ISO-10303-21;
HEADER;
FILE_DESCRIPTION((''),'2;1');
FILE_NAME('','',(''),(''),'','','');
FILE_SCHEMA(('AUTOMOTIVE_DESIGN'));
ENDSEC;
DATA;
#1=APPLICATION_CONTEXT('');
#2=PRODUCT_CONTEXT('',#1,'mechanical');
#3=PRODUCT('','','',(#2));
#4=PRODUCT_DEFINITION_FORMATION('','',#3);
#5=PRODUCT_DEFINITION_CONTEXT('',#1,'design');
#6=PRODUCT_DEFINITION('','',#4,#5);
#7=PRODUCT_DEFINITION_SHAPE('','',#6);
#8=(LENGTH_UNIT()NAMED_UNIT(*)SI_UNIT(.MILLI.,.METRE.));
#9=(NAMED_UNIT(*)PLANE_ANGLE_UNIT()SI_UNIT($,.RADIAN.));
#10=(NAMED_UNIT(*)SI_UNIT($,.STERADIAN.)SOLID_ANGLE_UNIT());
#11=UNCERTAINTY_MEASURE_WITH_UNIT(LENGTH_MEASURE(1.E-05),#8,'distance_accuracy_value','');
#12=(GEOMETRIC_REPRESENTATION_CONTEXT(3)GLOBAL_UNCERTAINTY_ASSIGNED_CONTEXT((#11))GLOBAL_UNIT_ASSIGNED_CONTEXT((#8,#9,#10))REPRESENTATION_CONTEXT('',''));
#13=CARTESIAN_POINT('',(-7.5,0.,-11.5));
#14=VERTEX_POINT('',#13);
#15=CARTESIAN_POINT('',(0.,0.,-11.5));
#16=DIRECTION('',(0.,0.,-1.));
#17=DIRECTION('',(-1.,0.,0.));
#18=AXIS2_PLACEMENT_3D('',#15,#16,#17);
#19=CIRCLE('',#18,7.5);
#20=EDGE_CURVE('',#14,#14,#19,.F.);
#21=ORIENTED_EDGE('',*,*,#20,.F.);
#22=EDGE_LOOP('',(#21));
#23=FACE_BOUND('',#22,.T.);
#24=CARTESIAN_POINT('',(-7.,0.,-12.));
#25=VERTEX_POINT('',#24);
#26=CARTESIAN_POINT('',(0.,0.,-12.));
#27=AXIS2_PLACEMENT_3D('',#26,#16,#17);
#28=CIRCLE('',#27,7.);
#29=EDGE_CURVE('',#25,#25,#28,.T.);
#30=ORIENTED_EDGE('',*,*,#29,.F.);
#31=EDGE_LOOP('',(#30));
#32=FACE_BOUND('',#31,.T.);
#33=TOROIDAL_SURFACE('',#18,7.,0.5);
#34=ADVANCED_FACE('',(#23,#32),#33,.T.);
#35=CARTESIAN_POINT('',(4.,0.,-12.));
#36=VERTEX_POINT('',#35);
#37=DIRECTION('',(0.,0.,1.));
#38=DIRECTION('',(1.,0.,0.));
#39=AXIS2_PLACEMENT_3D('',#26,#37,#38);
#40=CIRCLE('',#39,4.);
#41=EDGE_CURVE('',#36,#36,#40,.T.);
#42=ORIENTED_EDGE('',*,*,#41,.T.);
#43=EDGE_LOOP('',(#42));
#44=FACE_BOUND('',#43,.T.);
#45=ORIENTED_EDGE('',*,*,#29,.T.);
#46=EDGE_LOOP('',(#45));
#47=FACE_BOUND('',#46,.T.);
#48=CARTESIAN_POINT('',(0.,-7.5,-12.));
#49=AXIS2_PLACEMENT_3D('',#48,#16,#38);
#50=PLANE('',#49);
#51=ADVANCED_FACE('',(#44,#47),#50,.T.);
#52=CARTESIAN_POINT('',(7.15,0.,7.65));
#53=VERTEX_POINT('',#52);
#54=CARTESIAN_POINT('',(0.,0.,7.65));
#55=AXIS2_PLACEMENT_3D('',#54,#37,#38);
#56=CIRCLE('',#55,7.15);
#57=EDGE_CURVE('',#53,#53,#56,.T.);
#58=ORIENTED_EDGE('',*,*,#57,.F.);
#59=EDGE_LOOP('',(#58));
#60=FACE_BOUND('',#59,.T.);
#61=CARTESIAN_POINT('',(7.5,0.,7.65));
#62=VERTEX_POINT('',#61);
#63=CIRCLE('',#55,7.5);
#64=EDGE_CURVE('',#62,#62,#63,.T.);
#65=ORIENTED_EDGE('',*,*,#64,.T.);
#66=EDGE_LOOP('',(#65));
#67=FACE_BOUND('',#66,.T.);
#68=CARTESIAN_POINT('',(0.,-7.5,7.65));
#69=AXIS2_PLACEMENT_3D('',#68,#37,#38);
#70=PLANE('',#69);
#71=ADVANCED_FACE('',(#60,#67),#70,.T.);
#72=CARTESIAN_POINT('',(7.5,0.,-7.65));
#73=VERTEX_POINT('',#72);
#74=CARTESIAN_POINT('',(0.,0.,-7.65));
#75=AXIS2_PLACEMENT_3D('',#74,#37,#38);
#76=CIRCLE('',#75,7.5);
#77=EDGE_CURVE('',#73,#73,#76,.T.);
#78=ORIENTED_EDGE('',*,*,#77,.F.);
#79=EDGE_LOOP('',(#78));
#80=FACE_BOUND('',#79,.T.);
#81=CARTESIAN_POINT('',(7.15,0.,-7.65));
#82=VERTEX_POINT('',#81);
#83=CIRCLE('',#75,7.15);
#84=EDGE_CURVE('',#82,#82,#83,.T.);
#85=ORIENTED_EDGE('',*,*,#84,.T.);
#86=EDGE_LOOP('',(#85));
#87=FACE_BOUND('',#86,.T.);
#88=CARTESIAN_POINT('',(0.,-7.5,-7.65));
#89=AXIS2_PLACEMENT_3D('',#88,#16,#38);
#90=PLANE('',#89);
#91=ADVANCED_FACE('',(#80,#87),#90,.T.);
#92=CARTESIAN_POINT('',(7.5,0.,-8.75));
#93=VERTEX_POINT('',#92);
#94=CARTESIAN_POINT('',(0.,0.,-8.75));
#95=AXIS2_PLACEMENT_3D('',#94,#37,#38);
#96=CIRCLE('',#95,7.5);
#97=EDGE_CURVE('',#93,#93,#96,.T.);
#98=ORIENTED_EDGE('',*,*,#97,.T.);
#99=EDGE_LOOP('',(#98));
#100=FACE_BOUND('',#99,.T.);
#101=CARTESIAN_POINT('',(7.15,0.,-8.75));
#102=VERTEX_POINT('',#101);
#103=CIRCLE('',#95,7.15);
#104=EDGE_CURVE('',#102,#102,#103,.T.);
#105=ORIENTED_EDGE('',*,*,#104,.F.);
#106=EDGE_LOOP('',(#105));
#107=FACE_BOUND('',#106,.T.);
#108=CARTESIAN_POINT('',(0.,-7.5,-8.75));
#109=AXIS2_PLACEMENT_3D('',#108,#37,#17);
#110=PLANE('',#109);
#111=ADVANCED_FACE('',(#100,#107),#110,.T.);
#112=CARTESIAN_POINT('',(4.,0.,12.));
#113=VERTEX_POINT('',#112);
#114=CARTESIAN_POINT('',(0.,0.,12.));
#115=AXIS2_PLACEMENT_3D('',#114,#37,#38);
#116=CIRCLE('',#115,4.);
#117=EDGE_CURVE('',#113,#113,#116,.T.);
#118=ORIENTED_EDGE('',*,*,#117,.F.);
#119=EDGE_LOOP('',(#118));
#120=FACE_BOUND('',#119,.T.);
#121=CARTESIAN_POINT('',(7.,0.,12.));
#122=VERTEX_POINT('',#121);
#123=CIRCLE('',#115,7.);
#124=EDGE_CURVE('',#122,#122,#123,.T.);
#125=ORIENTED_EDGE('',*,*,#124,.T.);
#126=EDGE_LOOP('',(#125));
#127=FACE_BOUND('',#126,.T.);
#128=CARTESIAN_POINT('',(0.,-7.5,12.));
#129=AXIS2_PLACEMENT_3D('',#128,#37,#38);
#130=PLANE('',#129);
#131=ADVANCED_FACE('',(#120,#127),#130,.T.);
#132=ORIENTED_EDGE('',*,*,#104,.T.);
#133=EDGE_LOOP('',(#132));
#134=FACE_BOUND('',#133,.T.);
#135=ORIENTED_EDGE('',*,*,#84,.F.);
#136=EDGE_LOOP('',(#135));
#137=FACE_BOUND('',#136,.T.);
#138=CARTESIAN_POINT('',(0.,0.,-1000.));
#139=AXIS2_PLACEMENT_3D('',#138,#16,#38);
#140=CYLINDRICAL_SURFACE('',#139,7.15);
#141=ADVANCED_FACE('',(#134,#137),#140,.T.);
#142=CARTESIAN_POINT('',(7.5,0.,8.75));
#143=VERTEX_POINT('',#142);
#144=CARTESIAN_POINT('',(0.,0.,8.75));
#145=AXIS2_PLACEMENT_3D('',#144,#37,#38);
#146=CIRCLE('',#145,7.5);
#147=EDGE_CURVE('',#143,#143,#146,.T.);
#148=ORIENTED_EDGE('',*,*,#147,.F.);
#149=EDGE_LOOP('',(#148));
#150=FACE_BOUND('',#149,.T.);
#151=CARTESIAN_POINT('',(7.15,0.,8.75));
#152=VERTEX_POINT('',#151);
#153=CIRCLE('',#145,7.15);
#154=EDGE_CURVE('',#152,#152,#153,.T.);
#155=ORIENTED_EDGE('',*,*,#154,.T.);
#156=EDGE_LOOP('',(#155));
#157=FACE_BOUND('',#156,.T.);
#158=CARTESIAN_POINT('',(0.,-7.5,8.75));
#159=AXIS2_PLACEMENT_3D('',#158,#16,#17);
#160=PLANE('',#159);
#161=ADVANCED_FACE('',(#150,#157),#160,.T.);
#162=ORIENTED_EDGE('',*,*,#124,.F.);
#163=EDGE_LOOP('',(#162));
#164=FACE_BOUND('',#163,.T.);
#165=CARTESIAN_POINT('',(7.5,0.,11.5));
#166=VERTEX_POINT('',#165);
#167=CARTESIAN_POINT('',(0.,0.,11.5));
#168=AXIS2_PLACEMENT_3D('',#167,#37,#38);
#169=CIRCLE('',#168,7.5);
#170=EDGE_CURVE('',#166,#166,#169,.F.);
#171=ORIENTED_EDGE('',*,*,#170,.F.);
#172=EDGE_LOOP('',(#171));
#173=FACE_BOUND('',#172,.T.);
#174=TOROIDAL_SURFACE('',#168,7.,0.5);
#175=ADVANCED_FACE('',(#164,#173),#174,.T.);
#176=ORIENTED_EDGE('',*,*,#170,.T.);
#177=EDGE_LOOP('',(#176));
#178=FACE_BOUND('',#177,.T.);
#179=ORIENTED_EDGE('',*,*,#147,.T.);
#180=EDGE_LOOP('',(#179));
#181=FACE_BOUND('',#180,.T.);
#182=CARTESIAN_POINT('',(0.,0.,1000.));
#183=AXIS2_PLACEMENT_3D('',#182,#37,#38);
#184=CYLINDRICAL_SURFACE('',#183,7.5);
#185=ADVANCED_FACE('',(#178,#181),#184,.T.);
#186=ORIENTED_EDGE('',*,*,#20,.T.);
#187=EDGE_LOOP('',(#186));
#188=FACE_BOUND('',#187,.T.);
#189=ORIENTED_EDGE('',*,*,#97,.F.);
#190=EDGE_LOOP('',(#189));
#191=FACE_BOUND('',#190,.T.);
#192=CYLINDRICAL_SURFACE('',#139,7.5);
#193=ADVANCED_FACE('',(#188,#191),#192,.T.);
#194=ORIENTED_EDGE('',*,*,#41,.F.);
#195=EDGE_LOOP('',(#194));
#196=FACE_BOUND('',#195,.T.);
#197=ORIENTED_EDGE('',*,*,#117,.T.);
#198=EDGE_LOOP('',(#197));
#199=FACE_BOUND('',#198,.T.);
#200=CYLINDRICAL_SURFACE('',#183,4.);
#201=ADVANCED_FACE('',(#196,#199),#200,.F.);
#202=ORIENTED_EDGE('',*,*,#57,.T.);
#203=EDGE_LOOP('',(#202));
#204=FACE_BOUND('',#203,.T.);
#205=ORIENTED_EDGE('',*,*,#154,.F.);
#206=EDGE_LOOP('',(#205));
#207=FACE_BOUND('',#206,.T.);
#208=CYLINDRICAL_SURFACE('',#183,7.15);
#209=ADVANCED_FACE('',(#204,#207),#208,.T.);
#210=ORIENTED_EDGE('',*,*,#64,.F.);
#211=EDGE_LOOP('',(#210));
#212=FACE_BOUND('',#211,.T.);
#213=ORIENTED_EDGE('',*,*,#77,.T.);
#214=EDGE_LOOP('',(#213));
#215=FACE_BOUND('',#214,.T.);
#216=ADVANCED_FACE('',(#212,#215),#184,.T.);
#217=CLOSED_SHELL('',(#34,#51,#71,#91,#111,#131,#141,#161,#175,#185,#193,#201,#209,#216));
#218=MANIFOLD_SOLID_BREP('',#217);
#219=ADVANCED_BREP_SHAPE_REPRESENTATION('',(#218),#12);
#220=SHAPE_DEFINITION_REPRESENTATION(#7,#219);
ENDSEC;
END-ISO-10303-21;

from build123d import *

# Parameters (mm, degrees)
FILLET2_R = 0.5
FILLET3_R = 0.5


with BuildPart() as part:
    # Sketch1 → Revolve1 (revolve)
    with BuildSketch(Plane(origin=(0, 0, 0), x_dir=(0, 0, -1), z_dir=(1, 0, 0))):
        Polygon((-12, -7.5), (-8.75, -7.5), (-8.75, -7.15), (-7.65, -7.15), (-7.65, -7.5), (0, -7.5), (0, -4), (-12, -4), align=None)
    revolve1 = revolve(axis=Axis((0, 0, 1000), (0, 0, -1)))

    # Fillet2
    fillet2_edges = [part.edges().sort_by_distance(p)[0] for p in [
        (0, 7.5, 12),
    ]]
    fillet(fillet2_edges, radius=FILLET2_R)

    # Mirror2: Revolve1 across plane
    add(revolve1.mirror(Plane(origin=(0, -4, 0), x_dir=(1, 0, 0), z_dir=(0, 0, -1))))

    # Fillet3
    fillet3_edges = [part.edges().sort_by_distance(p)[0] for p in [
        (0, 7.5, -12),
    ]]
    fillet(fillet3_edges, radius=FILLET3_R)


solid = part.part
